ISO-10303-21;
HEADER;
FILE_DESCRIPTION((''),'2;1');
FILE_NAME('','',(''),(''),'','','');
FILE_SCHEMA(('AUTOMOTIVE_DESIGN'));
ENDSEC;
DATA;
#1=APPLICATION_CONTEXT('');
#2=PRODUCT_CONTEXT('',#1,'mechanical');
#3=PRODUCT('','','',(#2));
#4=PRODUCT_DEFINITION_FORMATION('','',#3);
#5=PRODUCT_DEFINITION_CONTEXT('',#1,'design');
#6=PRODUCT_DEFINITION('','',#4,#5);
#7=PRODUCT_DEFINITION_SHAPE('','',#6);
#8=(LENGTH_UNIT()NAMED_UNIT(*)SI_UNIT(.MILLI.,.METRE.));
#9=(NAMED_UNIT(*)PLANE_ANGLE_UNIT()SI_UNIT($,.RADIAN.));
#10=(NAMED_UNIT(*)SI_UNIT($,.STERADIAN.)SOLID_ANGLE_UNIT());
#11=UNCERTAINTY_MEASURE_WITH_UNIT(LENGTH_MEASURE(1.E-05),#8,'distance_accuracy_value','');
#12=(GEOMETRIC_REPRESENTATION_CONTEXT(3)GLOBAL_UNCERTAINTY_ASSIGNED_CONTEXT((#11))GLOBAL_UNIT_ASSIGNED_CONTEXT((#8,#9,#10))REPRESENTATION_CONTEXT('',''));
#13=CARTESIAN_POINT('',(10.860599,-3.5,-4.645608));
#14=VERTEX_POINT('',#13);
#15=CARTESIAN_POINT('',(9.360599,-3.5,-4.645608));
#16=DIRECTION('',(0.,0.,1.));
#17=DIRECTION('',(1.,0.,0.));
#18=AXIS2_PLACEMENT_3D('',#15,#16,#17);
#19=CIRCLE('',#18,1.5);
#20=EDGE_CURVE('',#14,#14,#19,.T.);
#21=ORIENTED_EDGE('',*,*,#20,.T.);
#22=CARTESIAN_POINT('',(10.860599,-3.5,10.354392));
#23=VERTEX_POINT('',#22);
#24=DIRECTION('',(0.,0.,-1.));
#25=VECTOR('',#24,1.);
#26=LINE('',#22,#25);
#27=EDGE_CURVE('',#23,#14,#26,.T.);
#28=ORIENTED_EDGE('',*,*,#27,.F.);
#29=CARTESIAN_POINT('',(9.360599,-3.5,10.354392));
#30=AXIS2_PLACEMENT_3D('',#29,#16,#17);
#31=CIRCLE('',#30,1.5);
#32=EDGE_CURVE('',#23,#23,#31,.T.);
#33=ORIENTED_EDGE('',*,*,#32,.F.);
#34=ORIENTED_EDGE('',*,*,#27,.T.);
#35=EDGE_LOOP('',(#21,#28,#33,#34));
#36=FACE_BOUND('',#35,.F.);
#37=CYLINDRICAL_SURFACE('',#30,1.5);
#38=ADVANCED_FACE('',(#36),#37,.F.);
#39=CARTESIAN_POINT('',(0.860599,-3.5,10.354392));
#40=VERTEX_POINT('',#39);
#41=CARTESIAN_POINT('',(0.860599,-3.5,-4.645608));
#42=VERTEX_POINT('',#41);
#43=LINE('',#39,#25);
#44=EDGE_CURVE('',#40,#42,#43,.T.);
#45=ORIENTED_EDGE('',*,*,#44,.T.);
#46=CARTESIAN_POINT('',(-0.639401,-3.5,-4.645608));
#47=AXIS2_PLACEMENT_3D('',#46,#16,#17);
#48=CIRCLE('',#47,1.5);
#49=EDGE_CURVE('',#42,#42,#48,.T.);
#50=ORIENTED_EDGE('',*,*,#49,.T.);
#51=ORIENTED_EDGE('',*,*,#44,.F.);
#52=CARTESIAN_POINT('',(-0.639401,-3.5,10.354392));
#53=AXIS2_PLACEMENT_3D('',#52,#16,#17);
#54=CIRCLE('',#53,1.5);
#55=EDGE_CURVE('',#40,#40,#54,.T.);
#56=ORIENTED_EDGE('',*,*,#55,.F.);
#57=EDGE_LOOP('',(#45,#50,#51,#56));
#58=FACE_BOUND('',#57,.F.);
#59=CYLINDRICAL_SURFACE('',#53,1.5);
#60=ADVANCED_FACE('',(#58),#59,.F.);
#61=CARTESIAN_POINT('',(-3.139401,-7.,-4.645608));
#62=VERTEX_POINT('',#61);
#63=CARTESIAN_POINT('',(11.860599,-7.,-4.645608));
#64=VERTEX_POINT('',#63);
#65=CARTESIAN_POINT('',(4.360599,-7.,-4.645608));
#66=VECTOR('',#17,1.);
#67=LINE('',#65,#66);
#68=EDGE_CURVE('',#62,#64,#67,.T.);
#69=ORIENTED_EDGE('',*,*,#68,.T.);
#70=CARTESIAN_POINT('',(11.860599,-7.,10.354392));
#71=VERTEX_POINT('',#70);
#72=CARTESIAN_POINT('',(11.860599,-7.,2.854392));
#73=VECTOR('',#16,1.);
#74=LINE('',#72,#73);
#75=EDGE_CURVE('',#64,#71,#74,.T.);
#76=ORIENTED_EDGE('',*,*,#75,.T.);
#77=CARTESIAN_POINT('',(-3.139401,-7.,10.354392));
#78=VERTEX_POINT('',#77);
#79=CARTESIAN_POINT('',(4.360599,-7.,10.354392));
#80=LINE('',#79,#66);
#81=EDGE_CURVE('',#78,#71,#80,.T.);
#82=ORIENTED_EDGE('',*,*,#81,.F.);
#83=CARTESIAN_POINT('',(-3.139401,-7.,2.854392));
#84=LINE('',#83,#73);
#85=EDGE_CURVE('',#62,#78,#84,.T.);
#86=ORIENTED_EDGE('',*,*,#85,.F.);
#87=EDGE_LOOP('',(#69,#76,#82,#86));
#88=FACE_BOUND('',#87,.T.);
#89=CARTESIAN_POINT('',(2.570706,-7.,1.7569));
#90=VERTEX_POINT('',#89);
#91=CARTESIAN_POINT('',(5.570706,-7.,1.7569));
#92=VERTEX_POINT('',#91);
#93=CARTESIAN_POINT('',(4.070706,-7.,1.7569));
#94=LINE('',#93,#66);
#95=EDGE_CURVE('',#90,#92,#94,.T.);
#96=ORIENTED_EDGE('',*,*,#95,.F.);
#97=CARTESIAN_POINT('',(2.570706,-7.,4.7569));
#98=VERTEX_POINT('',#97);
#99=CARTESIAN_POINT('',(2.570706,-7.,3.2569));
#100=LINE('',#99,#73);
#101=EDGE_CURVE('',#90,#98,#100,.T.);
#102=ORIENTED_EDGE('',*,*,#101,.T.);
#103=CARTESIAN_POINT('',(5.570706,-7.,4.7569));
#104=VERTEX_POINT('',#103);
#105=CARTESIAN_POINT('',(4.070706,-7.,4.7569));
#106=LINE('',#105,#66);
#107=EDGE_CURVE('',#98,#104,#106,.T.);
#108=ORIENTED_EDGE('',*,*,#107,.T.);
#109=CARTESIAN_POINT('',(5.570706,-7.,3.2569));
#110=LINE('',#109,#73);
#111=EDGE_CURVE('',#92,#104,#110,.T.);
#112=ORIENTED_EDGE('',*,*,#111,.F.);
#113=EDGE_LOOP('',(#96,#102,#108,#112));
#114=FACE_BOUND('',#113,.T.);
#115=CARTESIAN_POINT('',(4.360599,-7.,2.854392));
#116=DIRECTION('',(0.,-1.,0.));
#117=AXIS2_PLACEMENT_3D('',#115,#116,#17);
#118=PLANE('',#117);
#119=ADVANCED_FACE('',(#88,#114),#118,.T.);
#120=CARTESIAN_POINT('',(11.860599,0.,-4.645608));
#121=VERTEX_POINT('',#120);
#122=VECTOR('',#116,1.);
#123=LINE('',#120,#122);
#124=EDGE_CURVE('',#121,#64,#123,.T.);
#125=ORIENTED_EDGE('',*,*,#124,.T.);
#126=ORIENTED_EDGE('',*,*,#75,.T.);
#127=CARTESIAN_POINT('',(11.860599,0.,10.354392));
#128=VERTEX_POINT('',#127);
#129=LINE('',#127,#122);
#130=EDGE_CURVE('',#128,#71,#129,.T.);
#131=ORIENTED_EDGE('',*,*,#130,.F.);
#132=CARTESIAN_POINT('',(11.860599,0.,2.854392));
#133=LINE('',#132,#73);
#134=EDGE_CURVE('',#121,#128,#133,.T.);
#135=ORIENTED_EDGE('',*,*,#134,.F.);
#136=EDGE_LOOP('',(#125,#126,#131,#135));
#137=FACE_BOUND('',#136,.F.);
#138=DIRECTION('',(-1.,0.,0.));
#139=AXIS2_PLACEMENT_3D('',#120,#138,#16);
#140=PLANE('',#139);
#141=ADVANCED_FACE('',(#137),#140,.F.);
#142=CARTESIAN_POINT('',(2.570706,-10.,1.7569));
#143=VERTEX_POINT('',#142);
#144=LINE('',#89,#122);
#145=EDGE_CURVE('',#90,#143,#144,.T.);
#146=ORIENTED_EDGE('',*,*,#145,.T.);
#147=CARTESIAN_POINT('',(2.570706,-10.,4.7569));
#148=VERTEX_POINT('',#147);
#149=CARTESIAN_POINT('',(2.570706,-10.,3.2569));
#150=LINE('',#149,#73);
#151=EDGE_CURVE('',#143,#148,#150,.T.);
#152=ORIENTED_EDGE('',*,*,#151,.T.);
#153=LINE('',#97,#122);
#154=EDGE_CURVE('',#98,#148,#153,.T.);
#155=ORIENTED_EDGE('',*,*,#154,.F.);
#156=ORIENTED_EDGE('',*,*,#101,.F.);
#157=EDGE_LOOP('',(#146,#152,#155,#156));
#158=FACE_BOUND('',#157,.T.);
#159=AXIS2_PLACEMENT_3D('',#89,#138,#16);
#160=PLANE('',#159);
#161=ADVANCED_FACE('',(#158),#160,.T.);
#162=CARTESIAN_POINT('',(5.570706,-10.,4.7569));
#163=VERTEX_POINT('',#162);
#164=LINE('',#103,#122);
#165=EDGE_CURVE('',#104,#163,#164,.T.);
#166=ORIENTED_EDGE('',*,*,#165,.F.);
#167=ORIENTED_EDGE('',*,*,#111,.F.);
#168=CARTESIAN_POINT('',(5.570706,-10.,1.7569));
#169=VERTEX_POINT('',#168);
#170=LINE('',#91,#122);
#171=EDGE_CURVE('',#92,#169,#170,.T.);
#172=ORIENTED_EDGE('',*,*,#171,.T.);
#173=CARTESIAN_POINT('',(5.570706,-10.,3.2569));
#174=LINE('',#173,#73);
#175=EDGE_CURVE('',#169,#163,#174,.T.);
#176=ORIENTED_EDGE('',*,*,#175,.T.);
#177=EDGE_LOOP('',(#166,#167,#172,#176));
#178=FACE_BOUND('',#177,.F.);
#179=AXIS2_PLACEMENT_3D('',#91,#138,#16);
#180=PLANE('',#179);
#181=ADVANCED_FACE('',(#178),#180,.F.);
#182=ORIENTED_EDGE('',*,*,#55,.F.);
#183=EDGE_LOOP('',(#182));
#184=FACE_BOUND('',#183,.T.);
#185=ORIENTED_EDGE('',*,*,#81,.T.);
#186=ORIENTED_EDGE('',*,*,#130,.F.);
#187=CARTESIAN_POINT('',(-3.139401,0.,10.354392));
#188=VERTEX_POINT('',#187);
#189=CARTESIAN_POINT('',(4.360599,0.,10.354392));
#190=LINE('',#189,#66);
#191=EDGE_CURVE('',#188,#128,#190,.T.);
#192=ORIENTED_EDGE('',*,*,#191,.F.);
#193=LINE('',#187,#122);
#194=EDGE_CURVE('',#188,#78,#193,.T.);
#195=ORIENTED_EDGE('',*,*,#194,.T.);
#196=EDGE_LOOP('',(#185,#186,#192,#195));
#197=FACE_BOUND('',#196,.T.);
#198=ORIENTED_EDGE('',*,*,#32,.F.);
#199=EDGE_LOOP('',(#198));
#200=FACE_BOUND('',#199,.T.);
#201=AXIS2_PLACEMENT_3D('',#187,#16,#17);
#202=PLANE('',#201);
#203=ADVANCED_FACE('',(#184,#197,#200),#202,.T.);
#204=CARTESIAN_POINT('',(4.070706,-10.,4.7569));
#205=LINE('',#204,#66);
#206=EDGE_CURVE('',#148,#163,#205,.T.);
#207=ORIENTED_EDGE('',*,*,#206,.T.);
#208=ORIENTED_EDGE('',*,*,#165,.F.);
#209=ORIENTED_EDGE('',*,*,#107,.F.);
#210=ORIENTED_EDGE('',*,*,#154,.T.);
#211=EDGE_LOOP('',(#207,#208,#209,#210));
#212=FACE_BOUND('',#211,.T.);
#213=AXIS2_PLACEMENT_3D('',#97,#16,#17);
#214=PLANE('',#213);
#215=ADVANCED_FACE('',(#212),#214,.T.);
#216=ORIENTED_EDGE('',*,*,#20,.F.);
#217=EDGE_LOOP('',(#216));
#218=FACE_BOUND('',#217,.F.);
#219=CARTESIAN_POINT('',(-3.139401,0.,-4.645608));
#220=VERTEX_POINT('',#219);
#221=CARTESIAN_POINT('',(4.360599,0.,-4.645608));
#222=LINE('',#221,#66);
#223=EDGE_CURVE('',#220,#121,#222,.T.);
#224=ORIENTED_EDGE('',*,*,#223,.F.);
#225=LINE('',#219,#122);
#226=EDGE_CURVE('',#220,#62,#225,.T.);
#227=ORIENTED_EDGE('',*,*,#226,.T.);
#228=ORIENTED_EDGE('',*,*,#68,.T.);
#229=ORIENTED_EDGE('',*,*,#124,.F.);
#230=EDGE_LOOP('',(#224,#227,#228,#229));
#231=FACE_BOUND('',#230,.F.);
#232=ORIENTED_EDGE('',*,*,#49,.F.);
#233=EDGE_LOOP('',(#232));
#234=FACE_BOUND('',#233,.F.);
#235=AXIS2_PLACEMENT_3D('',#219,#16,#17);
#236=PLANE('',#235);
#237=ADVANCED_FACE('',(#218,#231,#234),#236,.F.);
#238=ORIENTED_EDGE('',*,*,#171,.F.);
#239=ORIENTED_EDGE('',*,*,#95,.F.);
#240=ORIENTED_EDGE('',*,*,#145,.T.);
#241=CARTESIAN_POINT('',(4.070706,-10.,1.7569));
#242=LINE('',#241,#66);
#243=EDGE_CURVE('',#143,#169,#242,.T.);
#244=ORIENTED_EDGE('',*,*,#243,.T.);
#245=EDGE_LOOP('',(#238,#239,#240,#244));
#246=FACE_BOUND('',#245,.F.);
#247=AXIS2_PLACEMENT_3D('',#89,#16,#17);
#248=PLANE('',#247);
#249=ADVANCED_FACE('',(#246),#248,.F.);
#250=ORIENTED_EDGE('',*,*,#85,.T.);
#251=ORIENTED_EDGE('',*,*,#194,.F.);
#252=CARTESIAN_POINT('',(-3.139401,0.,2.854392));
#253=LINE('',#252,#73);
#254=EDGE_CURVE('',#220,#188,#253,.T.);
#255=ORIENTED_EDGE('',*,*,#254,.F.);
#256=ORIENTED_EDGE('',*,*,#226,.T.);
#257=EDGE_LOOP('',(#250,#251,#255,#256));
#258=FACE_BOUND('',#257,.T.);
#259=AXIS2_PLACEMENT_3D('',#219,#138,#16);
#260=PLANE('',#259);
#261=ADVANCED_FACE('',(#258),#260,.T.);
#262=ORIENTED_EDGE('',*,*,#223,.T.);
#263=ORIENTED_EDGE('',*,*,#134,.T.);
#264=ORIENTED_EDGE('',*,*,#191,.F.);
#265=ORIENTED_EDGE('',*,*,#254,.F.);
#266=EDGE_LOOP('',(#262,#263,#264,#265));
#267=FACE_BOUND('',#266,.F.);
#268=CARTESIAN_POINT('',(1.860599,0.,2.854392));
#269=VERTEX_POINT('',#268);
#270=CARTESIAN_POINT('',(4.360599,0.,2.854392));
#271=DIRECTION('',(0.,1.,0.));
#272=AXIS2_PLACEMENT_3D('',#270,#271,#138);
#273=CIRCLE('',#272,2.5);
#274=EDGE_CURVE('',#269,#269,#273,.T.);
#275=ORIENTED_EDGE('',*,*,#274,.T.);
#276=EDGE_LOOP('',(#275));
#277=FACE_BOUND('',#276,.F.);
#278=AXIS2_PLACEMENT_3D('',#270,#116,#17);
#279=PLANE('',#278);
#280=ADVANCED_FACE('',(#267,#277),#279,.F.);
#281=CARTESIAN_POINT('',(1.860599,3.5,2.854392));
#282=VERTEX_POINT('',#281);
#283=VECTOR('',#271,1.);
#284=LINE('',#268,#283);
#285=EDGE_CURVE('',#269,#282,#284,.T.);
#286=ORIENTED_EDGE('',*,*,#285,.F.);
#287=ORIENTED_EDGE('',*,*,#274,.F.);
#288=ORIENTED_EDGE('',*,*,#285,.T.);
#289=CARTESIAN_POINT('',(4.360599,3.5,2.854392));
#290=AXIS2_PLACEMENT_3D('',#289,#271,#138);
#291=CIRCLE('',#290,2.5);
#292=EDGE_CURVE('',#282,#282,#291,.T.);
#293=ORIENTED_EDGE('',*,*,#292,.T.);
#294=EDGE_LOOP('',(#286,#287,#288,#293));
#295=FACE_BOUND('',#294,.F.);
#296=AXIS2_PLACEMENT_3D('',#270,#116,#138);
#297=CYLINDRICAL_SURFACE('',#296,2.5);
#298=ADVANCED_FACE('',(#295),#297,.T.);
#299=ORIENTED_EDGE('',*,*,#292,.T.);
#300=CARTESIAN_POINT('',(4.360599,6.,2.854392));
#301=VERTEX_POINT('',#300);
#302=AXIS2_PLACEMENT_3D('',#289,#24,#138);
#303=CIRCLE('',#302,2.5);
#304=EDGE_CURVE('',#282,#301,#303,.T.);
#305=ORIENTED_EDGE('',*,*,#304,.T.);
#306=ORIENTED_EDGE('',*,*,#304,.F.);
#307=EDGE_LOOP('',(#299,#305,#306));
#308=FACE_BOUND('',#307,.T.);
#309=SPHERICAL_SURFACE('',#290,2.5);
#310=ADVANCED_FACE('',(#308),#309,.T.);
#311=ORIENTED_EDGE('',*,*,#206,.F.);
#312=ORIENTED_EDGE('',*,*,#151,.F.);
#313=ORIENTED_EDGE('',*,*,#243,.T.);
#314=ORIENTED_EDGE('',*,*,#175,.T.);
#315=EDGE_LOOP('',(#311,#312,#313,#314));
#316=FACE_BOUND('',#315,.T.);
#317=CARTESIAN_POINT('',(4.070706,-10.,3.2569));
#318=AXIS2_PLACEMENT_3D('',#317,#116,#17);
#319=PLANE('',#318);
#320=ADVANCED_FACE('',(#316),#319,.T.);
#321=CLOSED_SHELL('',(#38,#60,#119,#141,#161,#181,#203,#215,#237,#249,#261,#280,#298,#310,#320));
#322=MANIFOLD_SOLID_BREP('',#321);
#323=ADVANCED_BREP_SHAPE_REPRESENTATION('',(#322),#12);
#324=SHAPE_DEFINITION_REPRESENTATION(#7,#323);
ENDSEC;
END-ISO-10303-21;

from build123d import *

# Parameters (mm, degrees)
F0_W     = 15
F0_H     = 15
F1_DEPTH = 7
F2_R     = 1.5
F3_DEPTH = 15
F4_R     = 1.5
F5_DEPTH = 15
F6_W     = 3
F6_H     = 3
F7_DEPTH = 3
F8_R     = 2.5
F9_DEPTH = 6
F10_R    = 2.5


with BuildPart() as f1:
    # F0 (on Front) → F1 (new body)
    with BuildSketch(Plane.XZ):
        with Locations((4.360599, 2.854392)):
            Rectangle(F0_W, F0_H)
    extrude(amount=F1_DEPTH)

    # F2 (on face) → F3 (cut)
    with BuildSketch(Plane.XY.offset(10.354392)):
        with Locations((-0.639401, -3.5)):
            Circle(F2_R)
    extrude(amount=-F3_DEPTH, mode=Mode.SUBTRACT)

    # F4 (on face) → F5 (cut)
    with BuildSketch(Plane.XY.offset(10.354392)):
        with Locations((9.360599, -3.5)):
            Circle(F4_R)
    extrude(amount=-F5_DEPTH, mode=Mode.SUBTRACT)

    # F6 (on face) → F7 (join)
    with BuildSketch(Plane.XZ.offset(7)):
        with Locations((4.070706, 3.2569)):
            Rectangle(F6_W, F6_H)
    extrude(amount=F7_DEPTH)

    # F8 (on face) → F9 (join)
    with BuildSketch(Plane(origin=(0, 0, 0), x_dir=(-1, 0, 0), z_dir=(0, 1, 0))):
        with Locations((-4.360599, 2.854392)):
            Circle(F8_R)
    extrude(amount=F9_DEPTH)

    # F10
    f10_edges = [f1.edges().sort_by_distance(p)[0] for p in [
        (6.860599, 6, 2.854392),
    ]]
    fillet(f10_edges, radius=F10_R)


solid = f1.part
